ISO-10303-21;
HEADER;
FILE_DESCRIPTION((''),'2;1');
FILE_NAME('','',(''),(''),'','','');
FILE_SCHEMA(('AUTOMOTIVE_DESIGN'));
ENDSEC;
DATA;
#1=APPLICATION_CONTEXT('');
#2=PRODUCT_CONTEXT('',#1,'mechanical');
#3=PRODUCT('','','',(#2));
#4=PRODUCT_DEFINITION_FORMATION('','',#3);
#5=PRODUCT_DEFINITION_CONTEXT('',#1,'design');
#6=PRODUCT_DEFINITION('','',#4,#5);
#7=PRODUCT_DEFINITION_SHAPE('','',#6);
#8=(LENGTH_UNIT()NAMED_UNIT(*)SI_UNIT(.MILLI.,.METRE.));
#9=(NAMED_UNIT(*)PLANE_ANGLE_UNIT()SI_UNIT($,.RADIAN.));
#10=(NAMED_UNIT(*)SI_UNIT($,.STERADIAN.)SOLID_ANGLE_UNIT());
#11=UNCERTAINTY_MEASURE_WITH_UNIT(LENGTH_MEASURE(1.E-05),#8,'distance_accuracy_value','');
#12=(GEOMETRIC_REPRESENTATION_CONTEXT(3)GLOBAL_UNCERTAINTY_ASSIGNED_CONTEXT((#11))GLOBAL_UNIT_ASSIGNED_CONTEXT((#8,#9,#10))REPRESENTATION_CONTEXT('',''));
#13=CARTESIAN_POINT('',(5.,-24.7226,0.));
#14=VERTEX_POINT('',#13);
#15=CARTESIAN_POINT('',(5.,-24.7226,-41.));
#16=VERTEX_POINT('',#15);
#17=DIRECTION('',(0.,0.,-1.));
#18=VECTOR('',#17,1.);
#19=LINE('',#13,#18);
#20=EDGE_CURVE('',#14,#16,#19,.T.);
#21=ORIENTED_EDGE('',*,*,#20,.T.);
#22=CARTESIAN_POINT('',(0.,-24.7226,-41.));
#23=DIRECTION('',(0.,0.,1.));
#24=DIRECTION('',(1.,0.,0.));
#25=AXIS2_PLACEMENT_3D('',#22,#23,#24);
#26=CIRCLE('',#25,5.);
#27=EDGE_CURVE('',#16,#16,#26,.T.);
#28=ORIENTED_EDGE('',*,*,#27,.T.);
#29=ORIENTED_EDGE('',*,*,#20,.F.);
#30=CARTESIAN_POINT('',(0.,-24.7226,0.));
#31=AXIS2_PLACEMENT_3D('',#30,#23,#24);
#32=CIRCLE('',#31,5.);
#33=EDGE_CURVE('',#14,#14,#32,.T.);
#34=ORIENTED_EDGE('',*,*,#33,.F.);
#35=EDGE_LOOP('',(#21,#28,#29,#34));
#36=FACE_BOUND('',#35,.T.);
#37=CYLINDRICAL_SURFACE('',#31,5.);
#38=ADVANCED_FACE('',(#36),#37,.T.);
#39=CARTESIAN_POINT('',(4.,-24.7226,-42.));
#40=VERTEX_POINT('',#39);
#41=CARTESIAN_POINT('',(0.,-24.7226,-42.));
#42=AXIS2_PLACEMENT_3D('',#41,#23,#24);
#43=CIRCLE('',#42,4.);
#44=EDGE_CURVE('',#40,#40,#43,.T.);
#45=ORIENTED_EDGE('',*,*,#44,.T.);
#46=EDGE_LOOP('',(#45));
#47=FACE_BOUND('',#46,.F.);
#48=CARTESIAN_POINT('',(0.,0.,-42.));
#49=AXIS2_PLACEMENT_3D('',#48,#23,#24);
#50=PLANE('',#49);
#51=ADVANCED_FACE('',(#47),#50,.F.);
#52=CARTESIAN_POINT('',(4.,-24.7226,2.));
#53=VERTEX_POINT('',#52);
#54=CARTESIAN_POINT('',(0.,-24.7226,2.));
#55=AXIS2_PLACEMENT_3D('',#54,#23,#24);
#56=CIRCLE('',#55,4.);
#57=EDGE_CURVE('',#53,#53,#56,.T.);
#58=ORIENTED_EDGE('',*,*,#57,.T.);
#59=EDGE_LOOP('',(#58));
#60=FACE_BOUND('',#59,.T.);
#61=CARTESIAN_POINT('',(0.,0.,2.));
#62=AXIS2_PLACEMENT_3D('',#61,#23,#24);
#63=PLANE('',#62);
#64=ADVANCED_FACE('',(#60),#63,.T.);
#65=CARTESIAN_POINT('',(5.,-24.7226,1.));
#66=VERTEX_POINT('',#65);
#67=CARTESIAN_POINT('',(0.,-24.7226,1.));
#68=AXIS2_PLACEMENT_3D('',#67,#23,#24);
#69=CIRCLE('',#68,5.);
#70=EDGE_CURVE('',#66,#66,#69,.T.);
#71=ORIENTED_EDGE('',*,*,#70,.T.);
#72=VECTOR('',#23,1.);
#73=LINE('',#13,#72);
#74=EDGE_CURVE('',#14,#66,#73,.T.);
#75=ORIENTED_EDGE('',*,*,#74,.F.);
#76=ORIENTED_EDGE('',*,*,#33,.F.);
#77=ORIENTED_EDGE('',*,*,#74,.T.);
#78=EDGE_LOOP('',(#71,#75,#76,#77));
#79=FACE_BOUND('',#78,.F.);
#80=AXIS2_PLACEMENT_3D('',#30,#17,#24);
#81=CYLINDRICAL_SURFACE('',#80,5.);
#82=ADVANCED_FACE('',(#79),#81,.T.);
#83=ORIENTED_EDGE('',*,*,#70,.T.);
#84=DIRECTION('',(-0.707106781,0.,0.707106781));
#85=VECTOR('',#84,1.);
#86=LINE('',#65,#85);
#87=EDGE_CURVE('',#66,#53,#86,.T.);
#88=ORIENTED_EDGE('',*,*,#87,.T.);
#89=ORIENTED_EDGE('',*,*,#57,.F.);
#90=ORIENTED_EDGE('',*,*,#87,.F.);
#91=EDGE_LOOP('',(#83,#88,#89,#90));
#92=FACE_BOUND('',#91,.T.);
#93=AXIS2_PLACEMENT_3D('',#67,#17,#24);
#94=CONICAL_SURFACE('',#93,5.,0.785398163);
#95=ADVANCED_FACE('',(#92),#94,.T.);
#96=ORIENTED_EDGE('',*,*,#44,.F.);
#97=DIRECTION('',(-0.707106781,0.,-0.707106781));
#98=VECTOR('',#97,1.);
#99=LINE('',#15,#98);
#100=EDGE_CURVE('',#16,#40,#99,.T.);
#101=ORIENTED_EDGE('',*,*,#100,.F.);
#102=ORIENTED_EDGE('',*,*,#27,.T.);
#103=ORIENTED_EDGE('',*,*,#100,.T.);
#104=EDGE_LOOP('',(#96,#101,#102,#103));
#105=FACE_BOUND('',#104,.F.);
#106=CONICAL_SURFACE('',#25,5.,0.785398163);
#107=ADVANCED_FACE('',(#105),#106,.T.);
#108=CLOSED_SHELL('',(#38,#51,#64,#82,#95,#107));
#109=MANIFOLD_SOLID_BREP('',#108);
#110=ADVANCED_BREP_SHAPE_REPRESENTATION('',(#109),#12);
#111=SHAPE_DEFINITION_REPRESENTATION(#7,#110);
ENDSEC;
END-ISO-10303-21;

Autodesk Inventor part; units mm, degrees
ref_plane "YZ Plane" through (0, 0, 0) normal (1, 0, 0) x (0, 1, 0)
ref_plane "XZ Plane" through (0, 0, 0) normal (0, 1, 0) x (-1, 0, 0)
ref_plane "XY Plane" through (0, 0, 0) normal (0, 0, 1) x (1, 0, 0)
ref_plane "Work Plane1" through (0, 0, 0) normal (0, 0, 1) x (1, 0, 0)
sketch "Sketch1" plane through (0, 0, 0) normal (0, 0, 1) x (1, 0, 0)
  circle A0 centre (0, -24.7226) radius 5 projected
  point P0 (0, 0)
extrude "Extrusion1" add sketch "Sketch1" along normal blind 2 and the other way blind 42
chamfer "Chamfer1" distance 1 angle 45 2 edges at (-5, -24.7226, 2) (-5, -24.7226, -42)
properties part number "Pin de unión"
